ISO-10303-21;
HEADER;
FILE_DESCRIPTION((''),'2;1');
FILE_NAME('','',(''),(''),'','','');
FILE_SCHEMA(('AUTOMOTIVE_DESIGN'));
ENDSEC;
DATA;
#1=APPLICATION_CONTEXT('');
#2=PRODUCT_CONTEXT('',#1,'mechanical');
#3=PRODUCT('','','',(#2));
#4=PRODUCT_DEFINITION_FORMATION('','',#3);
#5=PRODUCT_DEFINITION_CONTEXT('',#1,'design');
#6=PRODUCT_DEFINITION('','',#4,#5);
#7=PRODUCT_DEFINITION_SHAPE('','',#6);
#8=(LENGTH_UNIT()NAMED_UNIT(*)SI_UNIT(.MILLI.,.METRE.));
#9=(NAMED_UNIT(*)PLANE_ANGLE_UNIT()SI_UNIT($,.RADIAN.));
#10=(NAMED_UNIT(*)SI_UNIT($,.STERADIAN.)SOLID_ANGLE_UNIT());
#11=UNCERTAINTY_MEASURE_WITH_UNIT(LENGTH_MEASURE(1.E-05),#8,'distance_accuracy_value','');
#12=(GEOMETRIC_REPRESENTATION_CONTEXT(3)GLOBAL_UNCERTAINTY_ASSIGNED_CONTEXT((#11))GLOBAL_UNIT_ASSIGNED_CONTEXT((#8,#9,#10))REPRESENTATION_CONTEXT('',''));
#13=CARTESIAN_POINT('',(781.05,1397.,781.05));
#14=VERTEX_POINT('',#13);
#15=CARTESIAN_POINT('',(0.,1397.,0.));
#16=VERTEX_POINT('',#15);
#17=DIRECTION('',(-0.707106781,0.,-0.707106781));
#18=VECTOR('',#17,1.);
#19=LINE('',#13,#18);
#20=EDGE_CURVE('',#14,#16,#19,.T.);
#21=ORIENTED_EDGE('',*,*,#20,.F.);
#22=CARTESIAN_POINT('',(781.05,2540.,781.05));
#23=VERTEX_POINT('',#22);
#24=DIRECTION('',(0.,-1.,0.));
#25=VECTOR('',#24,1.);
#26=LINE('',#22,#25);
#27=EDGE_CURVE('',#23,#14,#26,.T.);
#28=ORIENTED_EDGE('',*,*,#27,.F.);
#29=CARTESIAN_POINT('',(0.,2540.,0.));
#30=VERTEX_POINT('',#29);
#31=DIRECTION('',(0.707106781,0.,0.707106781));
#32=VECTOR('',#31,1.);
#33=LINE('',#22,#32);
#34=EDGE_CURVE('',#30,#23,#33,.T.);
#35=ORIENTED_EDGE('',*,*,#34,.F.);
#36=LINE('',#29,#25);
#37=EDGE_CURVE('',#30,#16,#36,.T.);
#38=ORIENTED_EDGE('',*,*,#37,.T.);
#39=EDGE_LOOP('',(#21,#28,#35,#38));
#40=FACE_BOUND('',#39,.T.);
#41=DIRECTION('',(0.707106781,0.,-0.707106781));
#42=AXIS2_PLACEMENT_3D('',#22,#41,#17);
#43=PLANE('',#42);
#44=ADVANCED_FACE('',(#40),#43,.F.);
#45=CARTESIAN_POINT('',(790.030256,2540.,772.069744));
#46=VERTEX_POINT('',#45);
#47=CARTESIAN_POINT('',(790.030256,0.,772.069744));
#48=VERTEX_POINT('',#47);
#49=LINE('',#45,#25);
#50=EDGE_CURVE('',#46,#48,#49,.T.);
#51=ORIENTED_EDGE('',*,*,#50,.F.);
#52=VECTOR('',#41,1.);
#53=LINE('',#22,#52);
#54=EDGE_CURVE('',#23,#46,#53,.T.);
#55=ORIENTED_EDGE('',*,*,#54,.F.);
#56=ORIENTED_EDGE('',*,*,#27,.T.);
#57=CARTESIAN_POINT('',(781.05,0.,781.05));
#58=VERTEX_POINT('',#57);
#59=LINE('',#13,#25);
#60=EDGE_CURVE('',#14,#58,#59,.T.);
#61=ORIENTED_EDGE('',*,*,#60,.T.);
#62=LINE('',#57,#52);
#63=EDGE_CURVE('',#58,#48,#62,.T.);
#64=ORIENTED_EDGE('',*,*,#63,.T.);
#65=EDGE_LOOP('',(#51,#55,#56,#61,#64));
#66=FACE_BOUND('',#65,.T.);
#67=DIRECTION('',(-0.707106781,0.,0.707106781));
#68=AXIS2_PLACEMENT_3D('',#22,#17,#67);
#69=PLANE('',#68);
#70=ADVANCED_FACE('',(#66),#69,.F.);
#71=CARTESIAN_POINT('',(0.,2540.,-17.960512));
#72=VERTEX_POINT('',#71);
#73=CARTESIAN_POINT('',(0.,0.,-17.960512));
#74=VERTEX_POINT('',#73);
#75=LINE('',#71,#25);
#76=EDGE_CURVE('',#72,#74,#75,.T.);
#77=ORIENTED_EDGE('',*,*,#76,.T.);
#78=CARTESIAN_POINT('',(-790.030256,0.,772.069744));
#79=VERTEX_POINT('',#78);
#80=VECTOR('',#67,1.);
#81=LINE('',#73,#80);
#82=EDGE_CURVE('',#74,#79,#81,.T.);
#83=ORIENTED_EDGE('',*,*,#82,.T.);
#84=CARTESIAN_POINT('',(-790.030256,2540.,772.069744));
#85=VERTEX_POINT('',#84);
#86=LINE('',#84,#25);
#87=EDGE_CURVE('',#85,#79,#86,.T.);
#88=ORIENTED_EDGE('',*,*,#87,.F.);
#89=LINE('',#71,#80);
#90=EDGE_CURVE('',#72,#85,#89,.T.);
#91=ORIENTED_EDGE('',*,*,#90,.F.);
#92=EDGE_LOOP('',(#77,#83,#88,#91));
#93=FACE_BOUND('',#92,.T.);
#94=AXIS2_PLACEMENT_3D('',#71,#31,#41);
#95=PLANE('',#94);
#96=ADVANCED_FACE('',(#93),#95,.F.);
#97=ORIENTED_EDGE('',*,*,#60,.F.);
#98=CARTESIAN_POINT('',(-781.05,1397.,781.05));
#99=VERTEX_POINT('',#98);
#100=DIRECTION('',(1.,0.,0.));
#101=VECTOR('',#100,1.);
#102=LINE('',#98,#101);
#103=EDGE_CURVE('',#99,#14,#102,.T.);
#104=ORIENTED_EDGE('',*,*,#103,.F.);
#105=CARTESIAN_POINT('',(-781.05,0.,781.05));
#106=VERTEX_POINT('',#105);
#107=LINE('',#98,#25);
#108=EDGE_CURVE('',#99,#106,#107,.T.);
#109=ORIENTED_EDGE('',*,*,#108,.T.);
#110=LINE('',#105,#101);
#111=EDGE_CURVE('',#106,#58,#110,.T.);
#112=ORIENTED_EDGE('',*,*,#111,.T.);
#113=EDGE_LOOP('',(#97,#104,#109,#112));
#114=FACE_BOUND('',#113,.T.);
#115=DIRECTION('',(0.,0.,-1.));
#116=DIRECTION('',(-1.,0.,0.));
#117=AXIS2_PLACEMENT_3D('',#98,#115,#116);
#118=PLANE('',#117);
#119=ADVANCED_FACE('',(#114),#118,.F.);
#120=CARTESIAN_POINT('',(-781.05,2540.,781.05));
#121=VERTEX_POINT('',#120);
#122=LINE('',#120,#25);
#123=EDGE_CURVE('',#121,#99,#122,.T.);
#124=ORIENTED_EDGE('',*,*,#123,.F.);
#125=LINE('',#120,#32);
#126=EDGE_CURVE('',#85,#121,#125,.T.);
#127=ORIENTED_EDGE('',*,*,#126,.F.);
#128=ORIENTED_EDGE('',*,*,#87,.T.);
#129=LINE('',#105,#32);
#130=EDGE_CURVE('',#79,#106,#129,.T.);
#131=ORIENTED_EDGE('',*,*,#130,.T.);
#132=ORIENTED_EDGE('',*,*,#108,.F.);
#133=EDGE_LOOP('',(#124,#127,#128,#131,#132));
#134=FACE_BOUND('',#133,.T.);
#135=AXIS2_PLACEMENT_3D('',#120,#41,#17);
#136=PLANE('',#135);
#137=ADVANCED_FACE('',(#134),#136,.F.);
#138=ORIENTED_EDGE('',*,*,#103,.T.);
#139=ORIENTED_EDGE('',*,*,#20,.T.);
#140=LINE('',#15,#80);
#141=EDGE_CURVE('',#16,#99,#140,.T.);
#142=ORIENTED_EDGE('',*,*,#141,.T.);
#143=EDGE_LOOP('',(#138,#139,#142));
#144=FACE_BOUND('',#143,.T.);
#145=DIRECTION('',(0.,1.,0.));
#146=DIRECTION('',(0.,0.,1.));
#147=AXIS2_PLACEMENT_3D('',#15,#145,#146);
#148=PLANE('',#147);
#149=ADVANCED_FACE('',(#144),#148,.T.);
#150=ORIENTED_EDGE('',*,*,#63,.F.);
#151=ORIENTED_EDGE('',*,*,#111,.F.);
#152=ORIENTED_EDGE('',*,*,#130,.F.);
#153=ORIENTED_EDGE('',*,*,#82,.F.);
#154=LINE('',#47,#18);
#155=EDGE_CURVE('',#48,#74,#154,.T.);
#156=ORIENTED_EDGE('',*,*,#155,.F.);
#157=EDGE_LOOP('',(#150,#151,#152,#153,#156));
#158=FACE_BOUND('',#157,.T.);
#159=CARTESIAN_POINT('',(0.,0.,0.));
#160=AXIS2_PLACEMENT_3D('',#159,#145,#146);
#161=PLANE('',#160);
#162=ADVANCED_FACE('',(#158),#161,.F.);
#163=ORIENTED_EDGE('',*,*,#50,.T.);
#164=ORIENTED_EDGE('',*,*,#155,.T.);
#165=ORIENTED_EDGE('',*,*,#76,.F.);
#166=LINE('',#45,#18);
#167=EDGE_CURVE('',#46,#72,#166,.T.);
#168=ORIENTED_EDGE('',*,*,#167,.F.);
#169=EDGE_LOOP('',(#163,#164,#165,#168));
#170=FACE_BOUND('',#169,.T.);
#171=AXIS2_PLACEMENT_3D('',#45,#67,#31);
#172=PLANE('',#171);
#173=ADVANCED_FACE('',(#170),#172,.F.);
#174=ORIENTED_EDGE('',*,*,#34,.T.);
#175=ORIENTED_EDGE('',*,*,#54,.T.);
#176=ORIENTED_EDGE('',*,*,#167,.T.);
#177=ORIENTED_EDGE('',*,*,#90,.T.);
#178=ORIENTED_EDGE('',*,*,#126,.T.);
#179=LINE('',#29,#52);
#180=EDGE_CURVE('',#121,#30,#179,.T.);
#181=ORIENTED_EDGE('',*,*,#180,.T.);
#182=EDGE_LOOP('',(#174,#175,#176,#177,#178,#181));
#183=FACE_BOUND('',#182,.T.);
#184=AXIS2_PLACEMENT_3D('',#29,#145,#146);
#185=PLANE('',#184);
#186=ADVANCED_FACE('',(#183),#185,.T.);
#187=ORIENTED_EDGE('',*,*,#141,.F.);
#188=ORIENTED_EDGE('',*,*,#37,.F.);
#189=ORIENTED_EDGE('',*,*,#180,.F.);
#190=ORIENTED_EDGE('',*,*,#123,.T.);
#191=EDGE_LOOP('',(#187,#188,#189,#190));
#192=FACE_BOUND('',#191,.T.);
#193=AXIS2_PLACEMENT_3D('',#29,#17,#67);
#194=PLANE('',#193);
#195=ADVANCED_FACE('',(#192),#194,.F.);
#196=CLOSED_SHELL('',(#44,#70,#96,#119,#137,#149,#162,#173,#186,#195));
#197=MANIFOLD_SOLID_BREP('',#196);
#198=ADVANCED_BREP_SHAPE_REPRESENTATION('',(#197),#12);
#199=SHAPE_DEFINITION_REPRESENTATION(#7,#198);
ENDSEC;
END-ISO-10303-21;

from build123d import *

# Parameters (mm, degrees)
BOSS_EXTRUDE1_DEPTH = 1397
BOSS_EXTRUDE2_DEPTH = 2540


with BuildPart() as part:
    # Sketch2 → Boss-Extrude1 (new body)
    with BuildSketch(Plane(origin=(0, 0, 0), x_dir=(1, 0, 0), z_dir=(0, 1, 0))):
        Polygon((0, 0), (-781.05, -781.05), (781.05, -781.05), align=None)
    extrude(amount=BOSS_EXTRUDE1_DEPTH)

    # Sketch3 → Boss-Extrude2 (add)
    with BuildSketch(Plane(origin=(0, 0, 0), x_dir=(1, 0, 0), z_dir=(0, 1, 0))):
        Polygon((790.030256121, -772.069743879), (0, 17.960512242), (-790.030256121, -772.069743879), (-781.05, -781.05), (0, 0), (781.05, -781.05), align=None)
    extrude(amount=BOSS_EXTRUDE2_DEPTH)


solid = part.part
